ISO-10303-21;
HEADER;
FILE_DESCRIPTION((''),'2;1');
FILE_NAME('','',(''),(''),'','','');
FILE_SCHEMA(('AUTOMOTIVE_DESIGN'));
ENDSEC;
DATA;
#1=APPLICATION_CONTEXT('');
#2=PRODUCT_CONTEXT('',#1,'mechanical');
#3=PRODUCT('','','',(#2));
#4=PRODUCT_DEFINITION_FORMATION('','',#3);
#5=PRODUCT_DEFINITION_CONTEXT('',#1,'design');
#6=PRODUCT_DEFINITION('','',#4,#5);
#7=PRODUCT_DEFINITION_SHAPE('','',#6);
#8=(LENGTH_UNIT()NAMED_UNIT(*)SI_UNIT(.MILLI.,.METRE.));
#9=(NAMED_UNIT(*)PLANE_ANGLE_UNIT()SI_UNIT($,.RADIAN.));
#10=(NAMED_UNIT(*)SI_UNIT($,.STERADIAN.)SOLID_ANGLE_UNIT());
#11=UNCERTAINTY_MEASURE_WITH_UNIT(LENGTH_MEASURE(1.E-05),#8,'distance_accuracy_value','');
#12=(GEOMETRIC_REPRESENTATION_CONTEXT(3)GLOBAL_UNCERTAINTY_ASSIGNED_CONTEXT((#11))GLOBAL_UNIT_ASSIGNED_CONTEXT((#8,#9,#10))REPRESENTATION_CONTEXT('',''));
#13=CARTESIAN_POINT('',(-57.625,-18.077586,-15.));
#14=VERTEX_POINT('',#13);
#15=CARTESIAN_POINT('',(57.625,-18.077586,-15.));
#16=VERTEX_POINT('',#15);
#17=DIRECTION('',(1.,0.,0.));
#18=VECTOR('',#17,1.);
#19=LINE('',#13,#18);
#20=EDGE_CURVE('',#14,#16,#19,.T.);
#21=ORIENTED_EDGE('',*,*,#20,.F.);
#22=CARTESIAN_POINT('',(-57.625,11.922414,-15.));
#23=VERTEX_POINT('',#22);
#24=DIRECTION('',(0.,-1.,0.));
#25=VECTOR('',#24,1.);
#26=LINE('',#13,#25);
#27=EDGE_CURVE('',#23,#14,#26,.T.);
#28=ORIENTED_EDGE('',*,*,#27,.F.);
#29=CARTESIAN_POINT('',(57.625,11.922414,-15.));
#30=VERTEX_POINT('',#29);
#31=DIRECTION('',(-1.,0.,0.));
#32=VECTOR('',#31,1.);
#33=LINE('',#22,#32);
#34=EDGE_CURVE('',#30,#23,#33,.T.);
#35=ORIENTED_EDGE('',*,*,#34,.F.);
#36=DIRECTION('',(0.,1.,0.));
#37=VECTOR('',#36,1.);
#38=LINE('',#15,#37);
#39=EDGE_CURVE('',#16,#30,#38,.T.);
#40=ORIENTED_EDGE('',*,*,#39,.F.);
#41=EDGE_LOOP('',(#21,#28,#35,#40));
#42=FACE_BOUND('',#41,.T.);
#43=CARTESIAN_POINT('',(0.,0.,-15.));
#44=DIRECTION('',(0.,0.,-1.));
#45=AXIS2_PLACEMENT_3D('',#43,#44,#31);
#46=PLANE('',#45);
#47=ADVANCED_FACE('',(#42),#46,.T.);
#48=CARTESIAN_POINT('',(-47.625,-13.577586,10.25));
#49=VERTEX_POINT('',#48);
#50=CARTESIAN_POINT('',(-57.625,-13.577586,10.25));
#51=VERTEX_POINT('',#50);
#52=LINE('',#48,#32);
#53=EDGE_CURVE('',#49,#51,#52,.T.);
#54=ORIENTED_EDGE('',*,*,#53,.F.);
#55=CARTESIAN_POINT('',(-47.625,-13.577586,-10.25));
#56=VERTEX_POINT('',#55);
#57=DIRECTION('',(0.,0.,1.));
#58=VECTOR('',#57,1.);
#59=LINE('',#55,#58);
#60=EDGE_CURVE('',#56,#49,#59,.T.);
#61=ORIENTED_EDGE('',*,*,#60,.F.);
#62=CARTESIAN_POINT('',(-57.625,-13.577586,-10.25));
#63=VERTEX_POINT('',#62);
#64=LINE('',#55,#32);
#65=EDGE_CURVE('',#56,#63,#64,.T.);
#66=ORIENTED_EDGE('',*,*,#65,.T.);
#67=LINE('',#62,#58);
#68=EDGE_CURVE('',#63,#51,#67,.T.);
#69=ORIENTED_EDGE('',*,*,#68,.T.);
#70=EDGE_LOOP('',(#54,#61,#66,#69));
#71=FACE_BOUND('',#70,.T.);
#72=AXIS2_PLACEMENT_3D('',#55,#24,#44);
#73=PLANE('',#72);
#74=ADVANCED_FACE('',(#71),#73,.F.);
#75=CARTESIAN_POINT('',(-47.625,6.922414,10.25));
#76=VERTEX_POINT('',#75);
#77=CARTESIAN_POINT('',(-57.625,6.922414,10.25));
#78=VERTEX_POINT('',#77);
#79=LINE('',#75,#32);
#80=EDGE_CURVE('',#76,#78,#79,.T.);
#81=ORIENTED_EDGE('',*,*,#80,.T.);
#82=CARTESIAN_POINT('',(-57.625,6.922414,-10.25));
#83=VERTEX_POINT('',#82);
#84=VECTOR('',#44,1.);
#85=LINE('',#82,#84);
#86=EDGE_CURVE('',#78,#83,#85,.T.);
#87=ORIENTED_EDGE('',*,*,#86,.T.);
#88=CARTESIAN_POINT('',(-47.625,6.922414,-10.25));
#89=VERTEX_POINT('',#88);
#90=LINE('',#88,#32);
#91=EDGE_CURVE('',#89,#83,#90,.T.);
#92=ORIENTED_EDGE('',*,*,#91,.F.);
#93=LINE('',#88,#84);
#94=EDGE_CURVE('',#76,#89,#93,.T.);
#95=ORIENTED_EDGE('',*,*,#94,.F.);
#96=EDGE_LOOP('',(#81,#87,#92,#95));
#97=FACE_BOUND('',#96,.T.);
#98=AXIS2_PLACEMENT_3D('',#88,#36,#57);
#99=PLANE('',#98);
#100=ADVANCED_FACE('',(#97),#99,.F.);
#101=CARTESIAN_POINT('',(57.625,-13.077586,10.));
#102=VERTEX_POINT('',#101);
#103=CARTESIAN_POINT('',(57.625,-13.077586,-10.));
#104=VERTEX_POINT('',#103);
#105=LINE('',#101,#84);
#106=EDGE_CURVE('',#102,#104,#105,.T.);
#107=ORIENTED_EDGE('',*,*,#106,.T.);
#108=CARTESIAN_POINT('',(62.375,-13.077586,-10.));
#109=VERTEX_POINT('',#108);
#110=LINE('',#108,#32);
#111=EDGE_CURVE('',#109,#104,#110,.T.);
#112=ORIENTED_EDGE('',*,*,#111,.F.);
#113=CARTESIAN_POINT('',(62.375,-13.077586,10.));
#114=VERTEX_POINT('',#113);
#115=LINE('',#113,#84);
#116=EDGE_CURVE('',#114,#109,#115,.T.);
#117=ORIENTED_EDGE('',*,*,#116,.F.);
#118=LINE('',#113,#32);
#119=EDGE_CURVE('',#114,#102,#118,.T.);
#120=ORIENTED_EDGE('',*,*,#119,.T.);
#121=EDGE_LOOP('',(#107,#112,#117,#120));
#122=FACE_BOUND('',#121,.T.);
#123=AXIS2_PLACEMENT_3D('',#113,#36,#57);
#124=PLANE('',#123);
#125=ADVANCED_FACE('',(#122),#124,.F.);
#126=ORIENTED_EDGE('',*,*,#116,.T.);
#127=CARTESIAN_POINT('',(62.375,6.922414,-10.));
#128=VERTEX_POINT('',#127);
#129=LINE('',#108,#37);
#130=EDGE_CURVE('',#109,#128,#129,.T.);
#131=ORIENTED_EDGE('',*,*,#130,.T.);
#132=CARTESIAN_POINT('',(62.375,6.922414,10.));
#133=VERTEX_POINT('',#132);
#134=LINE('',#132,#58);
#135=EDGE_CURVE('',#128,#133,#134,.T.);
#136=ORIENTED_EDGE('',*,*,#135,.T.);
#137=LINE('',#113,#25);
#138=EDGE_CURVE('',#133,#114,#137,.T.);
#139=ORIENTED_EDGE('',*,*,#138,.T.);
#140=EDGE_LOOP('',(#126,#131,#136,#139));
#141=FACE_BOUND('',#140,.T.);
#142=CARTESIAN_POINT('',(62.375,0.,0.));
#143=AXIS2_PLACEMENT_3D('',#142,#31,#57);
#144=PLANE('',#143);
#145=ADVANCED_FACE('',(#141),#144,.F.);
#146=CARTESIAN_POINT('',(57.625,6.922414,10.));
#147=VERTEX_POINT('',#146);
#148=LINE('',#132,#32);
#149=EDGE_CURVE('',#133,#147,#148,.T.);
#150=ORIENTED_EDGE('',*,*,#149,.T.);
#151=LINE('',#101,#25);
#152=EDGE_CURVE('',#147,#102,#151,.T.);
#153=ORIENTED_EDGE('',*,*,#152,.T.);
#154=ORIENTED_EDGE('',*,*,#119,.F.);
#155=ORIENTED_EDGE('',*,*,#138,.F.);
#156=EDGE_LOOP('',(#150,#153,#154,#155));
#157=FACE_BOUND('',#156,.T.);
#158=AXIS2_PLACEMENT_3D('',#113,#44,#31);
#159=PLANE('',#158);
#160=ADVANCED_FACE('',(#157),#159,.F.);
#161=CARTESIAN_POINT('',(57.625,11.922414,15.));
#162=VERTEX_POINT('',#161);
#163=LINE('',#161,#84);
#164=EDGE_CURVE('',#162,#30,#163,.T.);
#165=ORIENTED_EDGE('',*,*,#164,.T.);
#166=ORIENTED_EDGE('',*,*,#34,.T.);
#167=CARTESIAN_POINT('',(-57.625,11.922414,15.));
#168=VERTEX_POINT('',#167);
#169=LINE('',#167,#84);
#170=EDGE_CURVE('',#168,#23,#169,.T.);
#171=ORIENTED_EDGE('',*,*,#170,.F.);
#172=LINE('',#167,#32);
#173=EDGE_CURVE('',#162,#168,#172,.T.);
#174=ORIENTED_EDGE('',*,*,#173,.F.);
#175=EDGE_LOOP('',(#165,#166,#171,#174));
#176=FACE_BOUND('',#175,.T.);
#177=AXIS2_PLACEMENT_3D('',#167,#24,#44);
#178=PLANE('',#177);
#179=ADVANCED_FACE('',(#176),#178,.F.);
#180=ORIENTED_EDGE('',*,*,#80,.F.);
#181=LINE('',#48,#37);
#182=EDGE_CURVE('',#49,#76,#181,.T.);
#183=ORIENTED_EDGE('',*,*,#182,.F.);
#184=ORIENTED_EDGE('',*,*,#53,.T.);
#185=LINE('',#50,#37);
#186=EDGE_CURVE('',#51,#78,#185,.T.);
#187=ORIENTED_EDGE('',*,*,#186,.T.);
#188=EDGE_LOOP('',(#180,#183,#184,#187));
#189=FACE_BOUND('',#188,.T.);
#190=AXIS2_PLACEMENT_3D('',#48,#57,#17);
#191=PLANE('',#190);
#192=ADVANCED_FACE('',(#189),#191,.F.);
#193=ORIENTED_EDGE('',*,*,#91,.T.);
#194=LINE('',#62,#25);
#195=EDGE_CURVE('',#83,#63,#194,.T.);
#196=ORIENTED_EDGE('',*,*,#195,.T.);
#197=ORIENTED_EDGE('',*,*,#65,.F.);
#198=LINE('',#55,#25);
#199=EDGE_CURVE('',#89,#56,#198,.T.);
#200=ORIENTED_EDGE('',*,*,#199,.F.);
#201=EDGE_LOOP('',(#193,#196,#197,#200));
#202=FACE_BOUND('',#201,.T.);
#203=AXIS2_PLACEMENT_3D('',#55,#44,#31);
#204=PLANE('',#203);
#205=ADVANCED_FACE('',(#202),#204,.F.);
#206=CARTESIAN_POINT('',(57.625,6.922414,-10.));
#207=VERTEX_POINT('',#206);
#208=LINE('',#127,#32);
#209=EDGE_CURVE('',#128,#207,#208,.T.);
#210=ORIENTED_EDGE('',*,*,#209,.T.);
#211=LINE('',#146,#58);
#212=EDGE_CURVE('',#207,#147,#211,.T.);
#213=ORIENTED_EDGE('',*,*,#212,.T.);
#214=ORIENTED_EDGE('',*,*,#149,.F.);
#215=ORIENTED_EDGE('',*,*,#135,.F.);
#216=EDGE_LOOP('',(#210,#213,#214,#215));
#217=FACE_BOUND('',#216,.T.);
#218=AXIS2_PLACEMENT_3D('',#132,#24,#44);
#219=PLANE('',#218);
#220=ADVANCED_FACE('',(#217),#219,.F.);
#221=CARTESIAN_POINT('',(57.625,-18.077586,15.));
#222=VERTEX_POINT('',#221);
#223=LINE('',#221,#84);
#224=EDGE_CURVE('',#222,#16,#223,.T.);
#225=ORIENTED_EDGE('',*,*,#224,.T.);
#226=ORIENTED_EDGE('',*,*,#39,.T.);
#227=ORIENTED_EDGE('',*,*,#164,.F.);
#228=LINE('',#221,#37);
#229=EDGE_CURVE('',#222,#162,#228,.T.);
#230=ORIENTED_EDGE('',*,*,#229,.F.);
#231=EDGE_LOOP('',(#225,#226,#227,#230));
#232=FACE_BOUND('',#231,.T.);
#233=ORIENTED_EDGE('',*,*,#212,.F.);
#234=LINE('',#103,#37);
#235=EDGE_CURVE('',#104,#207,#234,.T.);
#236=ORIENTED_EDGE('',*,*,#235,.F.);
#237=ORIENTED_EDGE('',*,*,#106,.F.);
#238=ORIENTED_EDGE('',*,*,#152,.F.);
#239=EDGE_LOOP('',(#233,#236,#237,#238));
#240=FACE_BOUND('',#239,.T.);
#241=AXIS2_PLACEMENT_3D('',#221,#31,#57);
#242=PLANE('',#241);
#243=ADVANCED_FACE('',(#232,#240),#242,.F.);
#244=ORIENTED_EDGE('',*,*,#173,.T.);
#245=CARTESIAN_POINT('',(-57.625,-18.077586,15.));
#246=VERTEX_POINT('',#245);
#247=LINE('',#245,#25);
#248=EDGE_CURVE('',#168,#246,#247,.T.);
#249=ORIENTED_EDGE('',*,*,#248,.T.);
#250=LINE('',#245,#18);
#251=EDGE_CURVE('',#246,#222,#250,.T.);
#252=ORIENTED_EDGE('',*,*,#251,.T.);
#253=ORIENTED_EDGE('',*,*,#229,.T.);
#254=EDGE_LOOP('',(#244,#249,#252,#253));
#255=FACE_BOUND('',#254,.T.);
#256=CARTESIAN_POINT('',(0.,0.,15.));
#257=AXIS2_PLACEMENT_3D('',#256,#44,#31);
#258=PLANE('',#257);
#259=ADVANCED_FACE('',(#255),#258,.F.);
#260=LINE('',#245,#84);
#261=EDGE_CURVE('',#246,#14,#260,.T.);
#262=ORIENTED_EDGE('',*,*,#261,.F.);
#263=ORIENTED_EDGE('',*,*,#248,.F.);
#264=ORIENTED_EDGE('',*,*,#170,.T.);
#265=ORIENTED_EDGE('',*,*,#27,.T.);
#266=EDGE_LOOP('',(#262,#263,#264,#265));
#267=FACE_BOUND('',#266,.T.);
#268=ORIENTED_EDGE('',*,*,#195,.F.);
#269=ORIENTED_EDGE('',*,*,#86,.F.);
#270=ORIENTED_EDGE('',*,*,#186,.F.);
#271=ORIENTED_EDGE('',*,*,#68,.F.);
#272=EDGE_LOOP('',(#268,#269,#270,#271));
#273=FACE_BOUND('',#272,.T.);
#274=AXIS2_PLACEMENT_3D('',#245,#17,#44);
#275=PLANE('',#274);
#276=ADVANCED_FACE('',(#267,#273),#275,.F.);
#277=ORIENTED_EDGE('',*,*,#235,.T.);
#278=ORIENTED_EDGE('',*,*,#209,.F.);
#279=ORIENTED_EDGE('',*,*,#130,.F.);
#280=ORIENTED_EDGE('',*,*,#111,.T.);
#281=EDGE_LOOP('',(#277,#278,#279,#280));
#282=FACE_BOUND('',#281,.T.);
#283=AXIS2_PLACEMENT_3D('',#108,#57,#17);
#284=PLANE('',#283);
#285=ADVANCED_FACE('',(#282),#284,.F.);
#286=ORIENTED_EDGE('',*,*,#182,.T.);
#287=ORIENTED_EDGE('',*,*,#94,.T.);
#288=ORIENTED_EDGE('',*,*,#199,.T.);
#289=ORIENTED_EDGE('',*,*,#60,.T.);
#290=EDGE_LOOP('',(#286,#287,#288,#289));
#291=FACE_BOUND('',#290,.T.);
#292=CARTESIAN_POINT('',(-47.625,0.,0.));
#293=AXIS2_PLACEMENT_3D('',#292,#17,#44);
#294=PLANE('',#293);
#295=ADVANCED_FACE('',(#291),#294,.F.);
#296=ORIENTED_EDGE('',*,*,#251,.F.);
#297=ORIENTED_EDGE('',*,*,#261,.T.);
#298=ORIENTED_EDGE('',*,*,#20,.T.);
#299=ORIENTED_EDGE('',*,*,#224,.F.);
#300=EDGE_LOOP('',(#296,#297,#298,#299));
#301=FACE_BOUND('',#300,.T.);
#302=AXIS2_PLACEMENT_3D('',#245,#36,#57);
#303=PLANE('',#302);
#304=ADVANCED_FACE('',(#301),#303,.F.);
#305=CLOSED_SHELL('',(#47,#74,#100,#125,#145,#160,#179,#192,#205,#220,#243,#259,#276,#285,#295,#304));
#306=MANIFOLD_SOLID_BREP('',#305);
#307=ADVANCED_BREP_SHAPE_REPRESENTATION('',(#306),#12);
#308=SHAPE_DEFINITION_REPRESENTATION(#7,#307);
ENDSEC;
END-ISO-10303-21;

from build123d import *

# Parameters (mm, degrees)
SKETCH1_W           = 115.25
SKETCH1_H           = 30
BOSS_EXTRUDE1_DEPTH = 15
SKETCH2_W           = 20.5
SKETCH2_H           = 20.5
CUT_EXTRUDE2_DEPTH  = 10
SKETCH3_W           = 20
SKETCH3_H           = 20
BOSS_EXTRUDE2_DEPTH = 4.75


with BuildPart() as part:
    # Sketch1 → Boss-Extrude1 (new, symmetric)
    with BuildSketch(Plane.XY):
        with Locations((0, -3.077586207)):
            Rectangle(SKETCH1_W, SKETCH1_H)
    extrude(amount=BOSS_EXTRUDE1_DEPTH, both=True)

    # Sketch2 → Cut-Extrude2 (cut)
    with BuildSketch(Plane.ZY.offset(57.625)):
        with Locations((0, -3.327586207)):
            Rectangle(SKETCH2_W, SKETCH2_H)
    extrude(amount=-CUT_EXTRUDE2_DEPTH, mode=Mode.SUBTRACT)

    # Sketch3 → Boss-Extrude2 (add)
    with BuildSketch(Plane(origin=(57.625, 0, 0), x_dir=(0, 0, -1), z_dir=(1, 0, 0))):
        with Locations((0, -3.077586207)):
            Rectangle(SKETCH3_W, SKETCH3_H)
    extrude(amount=BOSS_EXTRUDE2_DEPTH)


solid = part.part
